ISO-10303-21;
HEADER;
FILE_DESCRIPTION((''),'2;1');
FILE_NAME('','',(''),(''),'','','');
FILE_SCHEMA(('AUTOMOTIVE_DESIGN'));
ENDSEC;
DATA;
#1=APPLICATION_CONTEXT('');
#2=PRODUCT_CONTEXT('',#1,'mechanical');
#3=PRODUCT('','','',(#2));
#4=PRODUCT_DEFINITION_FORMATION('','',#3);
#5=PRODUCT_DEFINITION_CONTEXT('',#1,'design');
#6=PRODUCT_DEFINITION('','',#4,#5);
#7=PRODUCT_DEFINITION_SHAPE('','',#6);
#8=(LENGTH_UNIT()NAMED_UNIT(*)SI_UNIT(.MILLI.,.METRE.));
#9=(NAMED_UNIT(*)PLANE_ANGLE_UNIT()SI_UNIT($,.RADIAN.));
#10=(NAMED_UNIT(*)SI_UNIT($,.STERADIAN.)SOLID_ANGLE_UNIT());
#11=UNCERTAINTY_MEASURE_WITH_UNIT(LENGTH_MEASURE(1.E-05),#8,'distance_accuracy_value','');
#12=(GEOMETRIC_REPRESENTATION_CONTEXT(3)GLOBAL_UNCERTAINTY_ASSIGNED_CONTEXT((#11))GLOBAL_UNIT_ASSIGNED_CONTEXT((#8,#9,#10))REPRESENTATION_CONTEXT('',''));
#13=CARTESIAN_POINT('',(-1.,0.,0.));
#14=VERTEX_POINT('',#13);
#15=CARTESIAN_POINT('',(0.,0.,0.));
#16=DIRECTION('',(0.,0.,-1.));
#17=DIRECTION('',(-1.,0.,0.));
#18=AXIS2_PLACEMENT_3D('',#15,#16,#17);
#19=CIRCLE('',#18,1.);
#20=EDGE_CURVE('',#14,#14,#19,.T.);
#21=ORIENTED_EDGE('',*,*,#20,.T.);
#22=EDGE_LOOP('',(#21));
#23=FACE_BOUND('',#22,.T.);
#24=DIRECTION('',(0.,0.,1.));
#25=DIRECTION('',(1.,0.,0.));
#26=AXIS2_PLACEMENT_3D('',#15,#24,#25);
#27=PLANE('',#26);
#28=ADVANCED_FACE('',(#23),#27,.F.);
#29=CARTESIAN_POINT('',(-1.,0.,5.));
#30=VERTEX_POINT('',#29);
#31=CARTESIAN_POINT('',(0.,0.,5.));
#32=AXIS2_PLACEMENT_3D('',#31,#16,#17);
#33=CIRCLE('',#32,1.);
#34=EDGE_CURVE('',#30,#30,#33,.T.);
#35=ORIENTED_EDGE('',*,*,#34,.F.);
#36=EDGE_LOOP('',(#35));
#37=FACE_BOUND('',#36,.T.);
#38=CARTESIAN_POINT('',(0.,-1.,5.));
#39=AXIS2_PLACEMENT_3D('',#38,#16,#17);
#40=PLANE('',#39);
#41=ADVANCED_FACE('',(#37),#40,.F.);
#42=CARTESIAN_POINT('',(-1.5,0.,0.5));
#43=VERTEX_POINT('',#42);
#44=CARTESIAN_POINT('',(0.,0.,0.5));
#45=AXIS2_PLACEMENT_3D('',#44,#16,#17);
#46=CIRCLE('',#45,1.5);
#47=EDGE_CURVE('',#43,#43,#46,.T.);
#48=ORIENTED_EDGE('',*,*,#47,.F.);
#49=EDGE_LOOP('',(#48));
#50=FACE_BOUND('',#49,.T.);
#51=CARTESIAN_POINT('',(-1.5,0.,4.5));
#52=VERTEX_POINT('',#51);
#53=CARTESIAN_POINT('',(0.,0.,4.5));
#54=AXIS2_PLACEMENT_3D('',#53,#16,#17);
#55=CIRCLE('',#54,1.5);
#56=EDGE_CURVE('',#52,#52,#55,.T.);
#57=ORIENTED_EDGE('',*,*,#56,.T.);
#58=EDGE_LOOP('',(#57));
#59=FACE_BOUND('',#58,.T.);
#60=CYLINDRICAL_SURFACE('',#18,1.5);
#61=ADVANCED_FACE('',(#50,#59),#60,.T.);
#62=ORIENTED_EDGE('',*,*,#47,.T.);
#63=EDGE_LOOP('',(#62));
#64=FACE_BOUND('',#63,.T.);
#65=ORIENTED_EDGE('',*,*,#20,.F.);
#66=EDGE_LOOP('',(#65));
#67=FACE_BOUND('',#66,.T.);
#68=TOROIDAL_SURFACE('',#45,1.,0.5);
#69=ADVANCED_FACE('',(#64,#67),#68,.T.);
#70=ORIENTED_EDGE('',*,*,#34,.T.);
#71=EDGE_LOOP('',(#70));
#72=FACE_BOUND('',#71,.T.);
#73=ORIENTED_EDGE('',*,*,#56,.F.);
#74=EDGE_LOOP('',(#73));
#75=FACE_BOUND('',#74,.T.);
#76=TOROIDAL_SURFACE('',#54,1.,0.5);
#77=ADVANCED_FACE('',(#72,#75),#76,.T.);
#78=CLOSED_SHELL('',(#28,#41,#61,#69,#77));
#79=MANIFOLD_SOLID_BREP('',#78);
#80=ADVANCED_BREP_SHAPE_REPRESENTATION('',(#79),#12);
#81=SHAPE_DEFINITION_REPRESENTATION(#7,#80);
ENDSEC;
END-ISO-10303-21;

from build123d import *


with BuildPart() as part:
    # Эскиз2 → Повернуть1 (revolve)
    with BuildSketch(Plane(origin=(0, 0, 0), x_dir=(0, 0, -1), z_dir=(1, 0, 0)), mode=Mode.PRIVATE) as revolve_1_sk:
        with BuildLine():
            Line((0, 0), (-5, 0))
            Line((-5, 0), (-5, -1))
            ThreePointArc((-5, -1), (-4.853553391, -1.353553391), (-4.5, -1.5))
            Line((-4.5, -1.5), (-0.5, -1.5))
            ThreePointArc((-0.5, -1.5), (-0.146446609, -1.353553391), (0, -1))
            Line((0, -1), (0, 0))
        make_face()
    revolve(revolve_1_sk.sketch.rotate(Axis((0, 0, 0), (0, 0, 1)), 270), axis=Axis((0, 0, 0), (0, 0, 1)))


solid = part.part
